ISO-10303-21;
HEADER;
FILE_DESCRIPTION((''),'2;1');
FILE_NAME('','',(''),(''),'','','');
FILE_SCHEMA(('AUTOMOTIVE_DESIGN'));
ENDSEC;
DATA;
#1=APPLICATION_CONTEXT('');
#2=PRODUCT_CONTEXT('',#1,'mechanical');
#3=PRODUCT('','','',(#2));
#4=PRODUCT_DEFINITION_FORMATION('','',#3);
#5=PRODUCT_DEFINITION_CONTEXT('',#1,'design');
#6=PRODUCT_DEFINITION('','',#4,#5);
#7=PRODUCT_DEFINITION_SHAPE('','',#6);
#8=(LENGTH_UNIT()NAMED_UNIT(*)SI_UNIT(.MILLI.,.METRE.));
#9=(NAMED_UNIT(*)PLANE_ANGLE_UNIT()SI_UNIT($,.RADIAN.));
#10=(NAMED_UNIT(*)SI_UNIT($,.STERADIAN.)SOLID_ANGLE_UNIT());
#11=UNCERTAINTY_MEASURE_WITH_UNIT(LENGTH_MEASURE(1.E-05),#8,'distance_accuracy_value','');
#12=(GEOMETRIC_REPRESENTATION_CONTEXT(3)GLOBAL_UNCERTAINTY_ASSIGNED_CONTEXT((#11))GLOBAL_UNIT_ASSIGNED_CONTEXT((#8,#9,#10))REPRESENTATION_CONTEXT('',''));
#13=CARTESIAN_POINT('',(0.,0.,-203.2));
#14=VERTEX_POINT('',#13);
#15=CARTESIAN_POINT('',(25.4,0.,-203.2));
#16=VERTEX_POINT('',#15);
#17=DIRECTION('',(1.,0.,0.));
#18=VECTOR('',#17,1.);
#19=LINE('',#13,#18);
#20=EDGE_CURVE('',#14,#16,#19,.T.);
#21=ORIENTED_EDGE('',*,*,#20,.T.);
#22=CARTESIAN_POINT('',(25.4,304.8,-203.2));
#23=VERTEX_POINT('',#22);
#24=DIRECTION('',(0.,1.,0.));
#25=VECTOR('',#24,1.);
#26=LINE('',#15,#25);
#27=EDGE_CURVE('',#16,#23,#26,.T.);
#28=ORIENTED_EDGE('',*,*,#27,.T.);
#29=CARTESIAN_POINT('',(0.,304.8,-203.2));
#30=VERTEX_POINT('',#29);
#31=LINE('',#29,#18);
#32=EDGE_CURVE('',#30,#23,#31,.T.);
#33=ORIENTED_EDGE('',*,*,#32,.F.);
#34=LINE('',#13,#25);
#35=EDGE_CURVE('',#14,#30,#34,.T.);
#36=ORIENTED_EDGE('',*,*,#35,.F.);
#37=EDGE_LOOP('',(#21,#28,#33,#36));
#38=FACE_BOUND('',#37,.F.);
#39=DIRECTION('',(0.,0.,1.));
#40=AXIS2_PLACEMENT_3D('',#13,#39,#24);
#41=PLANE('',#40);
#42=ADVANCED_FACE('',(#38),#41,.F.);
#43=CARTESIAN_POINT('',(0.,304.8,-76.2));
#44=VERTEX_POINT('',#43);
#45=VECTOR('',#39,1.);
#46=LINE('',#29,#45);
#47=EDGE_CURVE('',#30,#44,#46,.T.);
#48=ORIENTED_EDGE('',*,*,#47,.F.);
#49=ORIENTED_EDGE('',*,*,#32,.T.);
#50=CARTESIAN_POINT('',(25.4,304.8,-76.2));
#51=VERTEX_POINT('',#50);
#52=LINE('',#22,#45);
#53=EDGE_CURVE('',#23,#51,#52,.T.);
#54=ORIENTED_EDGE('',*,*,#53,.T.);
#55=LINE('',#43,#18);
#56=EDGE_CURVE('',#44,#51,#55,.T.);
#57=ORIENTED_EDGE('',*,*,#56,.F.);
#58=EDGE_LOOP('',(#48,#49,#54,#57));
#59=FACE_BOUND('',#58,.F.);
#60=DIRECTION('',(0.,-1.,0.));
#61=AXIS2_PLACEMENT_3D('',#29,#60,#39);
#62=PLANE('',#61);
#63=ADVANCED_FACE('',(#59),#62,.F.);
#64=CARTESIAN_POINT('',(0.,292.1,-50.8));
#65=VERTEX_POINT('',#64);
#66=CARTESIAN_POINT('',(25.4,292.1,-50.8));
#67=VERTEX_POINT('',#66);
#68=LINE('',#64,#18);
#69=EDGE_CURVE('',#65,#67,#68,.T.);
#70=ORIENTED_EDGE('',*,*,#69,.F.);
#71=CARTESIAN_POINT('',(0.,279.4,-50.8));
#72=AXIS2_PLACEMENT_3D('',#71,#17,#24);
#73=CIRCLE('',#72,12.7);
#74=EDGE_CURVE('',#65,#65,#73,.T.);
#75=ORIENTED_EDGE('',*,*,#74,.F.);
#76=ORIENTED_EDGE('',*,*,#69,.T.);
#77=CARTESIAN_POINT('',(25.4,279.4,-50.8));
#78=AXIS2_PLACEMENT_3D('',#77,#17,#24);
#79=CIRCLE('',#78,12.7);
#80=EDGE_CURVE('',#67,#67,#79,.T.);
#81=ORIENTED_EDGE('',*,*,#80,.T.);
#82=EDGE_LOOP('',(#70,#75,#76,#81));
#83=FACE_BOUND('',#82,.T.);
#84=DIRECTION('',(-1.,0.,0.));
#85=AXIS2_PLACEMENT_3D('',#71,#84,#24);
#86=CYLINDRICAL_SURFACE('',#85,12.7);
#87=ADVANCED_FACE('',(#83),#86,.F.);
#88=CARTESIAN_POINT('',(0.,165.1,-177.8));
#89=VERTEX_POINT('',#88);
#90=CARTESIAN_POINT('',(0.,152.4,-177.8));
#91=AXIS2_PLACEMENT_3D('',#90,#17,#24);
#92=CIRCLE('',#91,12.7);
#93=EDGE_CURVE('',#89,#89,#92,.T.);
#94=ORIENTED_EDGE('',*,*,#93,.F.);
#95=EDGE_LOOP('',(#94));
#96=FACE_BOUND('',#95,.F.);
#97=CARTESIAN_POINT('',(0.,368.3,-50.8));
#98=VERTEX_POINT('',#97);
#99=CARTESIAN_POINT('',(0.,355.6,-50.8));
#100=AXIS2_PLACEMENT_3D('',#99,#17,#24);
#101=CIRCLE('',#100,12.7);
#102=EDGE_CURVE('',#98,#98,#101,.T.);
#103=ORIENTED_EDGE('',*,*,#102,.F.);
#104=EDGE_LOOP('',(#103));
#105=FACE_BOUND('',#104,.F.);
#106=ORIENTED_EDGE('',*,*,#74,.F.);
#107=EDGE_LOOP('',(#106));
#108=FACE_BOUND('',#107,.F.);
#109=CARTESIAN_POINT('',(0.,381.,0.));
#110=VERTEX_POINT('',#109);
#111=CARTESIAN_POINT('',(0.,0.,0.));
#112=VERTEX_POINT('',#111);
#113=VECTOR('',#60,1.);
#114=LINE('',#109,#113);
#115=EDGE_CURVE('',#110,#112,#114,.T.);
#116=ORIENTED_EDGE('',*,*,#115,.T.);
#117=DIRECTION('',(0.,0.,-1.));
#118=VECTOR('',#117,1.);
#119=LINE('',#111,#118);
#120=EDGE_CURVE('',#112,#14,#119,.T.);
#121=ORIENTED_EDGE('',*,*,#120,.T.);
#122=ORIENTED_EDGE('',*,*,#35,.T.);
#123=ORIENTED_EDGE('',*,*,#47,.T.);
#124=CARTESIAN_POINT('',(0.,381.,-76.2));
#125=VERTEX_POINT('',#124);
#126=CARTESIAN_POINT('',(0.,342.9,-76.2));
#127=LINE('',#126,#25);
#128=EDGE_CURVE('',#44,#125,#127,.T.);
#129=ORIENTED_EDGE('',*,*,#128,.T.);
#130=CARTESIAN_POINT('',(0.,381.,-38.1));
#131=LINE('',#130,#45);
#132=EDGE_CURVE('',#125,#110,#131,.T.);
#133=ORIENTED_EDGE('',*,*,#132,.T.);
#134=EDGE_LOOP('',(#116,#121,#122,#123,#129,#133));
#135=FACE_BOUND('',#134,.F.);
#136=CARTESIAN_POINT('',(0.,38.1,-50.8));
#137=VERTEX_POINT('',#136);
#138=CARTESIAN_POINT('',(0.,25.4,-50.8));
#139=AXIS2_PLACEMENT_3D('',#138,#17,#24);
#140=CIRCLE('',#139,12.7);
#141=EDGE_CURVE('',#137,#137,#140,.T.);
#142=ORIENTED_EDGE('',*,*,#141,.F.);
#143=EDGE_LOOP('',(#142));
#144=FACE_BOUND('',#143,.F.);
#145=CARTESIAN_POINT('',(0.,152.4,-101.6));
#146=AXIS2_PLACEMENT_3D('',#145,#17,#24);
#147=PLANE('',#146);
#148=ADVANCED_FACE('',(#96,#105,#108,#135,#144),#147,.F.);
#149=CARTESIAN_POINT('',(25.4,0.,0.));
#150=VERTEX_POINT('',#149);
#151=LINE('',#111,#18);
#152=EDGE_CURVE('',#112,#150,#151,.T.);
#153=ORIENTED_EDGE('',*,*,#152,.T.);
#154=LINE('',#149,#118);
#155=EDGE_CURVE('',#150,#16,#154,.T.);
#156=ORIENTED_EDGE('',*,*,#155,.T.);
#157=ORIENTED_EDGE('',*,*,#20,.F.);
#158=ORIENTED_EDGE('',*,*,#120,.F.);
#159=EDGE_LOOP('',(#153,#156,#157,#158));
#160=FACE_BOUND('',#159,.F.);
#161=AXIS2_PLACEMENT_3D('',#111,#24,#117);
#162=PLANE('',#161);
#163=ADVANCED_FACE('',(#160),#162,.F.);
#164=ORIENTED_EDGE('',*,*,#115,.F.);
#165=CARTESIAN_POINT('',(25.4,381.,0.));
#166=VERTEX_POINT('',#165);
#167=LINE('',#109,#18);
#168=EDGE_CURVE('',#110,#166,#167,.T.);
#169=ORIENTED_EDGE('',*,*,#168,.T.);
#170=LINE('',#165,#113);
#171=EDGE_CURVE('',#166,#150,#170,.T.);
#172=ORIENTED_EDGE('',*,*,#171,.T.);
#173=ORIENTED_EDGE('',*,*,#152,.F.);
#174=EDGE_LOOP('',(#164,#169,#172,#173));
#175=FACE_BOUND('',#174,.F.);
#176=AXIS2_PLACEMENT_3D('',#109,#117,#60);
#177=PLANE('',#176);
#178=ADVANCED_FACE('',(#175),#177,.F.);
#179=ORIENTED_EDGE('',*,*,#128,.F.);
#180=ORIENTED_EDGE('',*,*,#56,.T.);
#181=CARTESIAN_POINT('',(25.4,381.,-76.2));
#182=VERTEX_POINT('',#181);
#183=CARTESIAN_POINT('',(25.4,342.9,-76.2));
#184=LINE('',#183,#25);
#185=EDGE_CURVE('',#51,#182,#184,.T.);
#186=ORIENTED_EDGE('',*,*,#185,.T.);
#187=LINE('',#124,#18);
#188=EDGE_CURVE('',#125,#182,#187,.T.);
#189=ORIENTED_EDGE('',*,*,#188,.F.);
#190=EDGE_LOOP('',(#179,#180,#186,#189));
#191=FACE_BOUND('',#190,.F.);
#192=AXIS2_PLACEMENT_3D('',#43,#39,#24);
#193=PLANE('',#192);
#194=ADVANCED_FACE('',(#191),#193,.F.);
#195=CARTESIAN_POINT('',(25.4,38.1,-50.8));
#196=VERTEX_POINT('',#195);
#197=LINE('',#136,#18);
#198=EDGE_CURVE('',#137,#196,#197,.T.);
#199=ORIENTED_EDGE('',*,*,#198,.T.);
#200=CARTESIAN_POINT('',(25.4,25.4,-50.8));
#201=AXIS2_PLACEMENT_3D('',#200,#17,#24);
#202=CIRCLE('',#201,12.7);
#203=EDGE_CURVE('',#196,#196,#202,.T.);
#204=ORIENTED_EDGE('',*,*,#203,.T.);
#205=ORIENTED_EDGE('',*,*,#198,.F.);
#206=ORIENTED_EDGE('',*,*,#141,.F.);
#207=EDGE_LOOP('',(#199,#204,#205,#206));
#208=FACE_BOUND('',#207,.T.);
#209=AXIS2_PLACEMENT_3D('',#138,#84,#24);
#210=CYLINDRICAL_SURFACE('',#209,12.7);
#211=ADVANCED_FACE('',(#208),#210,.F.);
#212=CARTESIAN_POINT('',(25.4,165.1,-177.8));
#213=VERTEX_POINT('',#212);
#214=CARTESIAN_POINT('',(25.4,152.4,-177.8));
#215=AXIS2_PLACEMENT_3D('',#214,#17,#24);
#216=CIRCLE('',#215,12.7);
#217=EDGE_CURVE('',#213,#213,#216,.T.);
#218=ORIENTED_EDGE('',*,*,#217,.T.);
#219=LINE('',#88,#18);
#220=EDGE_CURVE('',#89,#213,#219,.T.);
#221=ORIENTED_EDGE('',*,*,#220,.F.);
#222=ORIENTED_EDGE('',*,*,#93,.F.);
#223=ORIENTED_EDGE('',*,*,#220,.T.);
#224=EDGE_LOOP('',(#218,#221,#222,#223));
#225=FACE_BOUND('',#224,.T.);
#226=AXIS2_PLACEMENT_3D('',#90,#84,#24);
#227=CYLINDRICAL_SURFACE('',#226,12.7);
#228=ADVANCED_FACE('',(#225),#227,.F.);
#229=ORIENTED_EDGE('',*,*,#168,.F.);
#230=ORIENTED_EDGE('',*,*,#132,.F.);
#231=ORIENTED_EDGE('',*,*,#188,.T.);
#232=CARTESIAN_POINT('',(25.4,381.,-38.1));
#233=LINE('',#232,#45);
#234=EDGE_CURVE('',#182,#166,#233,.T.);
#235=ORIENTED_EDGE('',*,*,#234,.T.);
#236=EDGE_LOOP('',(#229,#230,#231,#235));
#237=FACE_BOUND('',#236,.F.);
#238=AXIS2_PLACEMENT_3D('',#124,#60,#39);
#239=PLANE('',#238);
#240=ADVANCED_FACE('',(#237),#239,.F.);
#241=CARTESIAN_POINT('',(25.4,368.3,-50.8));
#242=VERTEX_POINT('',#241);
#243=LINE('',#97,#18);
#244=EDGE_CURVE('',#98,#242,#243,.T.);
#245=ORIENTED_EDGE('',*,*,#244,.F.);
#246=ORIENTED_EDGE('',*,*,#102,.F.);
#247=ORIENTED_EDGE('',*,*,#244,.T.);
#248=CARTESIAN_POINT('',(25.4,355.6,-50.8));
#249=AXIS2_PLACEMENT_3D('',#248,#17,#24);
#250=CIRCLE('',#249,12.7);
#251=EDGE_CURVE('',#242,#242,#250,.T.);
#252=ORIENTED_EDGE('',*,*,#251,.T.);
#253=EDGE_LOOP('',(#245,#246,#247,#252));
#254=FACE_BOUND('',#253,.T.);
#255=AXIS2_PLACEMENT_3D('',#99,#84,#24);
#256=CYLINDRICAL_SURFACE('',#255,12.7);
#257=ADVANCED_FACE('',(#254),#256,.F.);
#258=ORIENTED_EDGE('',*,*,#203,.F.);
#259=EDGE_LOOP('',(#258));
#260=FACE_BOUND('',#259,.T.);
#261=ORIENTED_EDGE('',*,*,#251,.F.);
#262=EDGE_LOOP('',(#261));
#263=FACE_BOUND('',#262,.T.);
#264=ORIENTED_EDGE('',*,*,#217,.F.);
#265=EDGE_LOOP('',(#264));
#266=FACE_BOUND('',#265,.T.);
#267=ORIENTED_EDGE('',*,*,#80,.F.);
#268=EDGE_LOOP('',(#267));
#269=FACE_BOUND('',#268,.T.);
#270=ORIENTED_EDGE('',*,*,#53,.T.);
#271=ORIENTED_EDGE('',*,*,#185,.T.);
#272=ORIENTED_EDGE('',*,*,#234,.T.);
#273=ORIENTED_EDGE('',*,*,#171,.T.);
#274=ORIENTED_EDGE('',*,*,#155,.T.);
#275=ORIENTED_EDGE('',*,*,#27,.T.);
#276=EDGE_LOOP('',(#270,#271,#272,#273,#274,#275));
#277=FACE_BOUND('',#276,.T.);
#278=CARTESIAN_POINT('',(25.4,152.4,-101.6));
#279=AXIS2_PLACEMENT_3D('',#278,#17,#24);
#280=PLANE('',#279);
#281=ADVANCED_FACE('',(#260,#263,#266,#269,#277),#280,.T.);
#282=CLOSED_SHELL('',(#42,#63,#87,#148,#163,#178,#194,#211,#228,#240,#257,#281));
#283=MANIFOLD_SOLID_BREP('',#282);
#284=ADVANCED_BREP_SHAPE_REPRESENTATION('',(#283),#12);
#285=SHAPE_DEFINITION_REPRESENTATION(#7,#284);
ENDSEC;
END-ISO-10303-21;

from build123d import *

# Parameters (mm, degrees)
F0_R     = 12.7
F0_W     = 76.2
F0_H     = 76.2
F1_DEPTH = 25.4


with BuildPart() as f1:
    # F0 (on Right) → F1 (new body)
    with BuildSketch(Plane.YZ):
        Polygon((304.8, 0), (0, 0), (0, -203.2), (304.8, -203.2), (304.8, -76.2), align=None)
        with Locations((152.4, -177.8)):
            Circle(F0_R, mode=Mode.SUBTRACT)
        with Locations((25.4, -50.8)):
            Circle(F0_R, mode=Mode.SUBTRACT)
        with Locations((279.4, -50.8)):
            Circle(F0_R, mode=Mode.SUBTRACT)
        with Locations((342.9, -38.1)):
            Rectangle(F0_W, F0_H)
        with Locations((355.6, -50.8)):
            Circle(F0_R, mode=Mode.SUBTRACT)
    extrude(amount=F1_DEPTH)


solid = f1.part
